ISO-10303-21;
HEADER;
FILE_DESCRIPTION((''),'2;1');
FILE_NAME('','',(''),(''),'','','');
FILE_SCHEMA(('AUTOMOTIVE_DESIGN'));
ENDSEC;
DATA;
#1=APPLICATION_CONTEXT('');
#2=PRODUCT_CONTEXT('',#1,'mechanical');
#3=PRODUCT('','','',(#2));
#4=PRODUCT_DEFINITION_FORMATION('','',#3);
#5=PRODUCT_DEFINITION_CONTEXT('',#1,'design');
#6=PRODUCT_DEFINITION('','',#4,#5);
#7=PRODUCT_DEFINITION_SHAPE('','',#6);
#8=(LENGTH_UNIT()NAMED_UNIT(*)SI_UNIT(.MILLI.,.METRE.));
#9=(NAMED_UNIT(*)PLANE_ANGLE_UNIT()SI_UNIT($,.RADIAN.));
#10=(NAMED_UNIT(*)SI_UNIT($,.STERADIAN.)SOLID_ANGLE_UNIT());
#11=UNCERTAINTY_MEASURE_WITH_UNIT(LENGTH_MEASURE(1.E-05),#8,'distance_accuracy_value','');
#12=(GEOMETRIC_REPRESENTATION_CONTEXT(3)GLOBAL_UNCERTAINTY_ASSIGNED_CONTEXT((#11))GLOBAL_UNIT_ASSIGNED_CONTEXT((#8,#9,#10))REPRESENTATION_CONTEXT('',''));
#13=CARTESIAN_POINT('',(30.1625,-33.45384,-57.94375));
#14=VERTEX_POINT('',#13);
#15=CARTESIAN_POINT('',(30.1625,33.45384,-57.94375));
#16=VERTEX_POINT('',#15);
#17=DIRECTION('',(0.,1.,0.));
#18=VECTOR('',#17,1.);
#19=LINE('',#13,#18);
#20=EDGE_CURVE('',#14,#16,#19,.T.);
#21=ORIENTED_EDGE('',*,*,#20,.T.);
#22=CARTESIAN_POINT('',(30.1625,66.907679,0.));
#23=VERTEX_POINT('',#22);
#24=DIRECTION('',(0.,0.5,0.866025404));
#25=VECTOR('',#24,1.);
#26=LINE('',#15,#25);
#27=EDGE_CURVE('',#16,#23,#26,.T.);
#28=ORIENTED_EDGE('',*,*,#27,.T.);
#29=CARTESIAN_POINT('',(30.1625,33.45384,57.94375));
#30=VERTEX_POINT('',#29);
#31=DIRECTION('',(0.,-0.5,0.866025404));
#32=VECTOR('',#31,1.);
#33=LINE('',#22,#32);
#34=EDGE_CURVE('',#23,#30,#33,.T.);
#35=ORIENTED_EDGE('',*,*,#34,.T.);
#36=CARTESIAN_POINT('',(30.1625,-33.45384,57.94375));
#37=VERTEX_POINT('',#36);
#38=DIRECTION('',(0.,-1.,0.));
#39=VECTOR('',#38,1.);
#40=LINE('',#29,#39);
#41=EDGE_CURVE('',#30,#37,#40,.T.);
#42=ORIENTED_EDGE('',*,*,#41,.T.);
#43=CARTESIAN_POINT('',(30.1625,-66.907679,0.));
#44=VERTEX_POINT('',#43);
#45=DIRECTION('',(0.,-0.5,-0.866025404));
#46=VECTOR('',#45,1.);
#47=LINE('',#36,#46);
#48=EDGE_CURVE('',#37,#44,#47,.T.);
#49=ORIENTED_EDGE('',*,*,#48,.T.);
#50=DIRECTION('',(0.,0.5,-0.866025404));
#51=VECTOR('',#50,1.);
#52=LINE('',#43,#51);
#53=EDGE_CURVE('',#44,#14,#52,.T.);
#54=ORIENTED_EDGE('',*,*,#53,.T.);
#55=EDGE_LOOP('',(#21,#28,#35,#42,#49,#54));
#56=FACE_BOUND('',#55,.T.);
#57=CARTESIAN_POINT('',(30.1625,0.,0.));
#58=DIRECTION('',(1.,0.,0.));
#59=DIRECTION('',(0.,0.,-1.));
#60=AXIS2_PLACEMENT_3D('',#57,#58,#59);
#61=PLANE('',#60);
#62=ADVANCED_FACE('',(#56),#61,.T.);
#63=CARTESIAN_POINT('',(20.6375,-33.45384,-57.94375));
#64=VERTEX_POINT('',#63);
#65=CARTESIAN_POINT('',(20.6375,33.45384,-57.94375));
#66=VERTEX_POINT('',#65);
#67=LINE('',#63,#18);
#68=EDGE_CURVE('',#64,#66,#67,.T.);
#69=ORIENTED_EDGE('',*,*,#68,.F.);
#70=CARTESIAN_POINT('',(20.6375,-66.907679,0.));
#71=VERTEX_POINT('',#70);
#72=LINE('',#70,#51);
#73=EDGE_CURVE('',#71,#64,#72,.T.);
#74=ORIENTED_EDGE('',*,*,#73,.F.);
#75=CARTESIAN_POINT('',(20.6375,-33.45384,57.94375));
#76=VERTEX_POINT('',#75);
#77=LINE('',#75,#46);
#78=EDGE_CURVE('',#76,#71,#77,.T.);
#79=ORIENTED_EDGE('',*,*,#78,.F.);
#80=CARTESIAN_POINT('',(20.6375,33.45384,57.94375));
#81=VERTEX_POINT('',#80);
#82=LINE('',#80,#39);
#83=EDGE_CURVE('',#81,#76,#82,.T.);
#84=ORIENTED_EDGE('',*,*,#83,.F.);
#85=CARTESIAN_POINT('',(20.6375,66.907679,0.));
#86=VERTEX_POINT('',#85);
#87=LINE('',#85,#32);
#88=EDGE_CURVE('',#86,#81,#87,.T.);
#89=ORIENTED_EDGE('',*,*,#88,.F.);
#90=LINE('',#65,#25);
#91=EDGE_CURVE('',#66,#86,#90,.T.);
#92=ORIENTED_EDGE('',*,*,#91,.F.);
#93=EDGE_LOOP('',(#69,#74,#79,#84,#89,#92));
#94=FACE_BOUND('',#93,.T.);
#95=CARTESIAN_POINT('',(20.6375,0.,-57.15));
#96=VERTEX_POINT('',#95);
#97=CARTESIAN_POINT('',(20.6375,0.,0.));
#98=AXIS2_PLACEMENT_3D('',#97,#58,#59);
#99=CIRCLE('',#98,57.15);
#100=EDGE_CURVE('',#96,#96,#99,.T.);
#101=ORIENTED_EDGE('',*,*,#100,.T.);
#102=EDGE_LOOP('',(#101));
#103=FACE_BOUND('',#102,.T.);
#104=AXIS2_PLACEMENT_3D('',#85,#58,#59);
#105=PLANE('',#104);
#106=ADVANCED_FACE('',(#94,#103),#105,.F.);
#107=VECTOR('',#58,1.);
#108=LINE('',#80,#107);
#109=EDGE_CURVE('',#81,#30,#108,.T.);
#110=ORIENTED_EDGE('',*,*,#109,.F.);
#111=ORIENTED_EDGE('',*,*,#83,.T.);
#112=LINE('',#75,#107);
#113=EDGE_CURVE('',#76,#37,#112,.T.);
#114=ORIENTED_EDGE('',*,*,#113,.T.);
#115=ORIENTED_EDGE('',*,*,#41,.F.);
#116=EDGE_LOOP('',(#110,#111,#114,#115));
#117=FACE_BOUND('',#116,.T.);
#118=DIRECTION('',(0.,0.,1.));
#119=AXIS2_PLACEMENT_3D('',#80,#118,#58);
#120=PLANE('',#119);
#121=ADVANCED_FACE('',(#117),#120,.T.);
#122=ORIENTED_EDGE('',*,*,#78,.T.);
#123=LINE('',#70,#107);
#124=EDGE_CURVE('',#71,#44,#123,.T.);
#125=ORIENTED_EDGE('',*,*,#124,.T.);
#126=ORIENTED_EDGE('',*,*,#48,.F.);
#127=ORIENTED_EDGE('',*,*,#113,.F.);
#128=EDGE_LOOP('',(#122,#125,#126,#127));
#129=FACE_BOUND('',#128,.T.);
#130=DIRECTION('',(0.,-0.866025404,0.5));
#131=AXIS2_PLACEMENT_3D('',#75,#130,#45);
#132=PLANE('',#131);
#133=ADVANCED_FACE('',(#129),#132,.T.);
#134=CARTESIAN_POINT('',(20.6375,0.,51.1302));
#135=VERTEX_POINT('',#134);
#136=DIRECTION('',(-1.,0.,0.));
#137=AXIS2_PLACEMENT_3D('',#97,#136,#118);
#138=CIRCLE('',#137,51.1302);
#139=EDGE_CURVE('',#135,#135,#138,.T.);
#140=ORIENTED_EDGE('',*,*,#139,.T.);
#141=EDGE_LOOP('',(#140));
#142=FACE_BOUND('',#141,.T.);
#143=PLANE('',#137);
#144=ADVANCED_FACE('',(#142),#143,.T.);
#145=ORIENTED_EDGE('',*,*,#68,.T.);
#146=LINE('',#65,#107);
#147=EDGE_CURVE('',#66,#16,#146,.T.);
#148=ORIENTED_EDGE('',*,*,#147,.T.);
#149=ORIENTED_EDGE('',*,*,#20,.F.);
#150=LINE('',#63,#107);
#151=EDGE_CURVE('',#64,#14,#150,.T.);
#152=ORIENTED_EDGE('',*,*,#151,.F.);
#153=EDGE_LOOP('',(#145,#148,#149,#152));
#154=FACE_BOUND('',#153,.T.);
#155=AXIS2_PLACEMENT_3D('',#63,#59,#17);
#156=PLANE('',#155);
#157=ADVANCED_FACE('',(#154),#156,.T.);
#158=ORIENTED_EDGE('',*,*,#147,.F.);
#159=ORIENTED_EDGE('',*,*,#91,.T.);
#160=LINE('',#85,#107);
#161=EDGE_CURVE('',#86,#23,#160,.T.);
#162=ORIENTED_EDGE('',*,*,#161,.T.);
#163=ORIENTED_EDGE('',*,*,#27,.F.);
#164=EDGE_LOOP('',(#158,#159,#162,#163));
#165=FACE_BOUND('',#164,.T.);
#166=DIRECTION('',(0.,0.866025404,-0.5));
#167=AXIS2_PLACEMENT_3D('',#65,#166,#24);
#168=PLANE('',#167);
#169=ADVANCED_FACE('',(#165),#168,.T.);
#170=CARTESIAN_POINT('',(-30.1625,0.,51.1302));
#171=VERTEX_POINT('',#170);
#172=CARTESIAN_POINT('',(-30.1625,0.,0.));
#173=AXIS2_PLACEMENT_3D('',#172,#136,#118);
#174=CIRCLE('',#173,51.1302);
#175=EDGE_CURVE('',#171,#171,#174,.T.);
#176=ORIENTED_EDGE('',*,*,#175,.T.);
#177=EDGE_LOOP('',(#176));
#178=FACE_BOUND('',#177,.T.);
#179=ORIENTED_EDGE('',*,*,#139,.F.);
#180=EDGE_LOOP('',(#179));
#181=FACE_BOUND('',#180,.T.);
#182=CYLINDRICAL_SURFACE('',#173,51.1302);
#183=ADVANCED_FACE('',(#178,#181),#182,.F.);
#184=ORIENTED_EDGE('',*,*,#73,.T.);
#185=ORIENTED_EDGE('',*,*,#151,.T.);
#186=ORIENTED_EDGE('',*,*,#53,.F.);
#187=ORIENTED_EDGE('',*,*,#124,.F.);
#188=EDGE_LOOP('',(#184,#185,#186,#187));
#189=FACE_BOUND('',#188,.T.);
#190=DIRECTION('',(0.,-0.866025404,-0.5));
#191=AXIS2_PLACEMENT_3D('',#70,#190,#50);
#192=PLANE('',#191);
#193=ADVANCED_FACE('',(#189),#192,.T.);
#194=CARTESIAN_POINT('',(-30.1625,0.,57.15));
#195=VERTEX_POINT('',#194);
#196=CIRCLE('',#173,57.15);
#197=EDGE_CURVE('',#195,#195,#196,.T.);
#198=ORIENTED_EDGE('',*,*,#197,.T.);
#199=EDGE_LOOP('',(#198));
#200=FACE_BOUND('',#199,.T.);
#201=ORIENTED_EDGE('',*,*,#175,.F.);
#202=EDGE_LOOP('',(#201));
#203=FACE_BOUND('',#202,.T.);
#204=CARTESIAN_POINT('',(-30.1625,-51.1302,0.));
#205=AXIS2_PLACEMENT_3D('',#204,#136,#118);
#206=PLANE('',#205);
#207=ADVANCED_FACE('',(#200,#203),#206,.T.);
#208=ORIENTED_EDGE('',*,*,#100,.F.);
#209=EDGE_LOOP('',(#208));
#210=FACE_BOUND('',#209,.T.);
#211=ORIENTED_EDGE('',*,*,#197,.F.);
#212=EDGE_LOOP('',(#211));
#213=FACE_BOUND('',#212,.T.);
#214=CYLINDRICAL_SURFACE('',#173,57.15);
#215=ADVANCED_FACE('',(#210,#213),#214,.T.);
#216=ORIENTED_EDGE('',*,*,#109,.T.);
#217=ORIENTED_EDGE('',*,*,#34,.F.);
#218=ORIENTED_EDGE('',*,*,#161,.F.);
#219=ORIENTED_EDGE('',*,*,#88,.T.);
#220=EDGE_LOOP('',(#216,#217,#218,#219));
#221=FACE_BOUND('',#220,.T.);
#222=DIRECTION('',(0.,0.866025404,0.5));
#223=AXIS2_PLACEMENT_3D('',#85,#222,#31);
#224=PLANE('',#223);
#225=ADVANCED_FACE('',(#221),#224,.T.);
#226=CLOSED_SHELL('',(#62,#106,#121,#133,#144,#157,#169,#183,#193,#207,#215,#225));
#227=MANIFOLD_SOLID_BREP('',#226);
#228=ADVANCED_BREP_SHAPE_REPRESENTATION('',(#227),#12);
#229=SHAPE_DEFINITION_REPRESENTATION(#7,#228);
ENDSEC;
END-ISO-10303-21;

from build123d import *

# Parameters (mm, degrees)
SKETCH2_R           = 57.15
BOSS_EXTRUDE1_DEPTH = 9.525


with BuildPart() as part:
    # Sketch1 → Revolve1 (revolve)
    with BuildSketch(Plane.XY):
        Polygon((-30.1625, -57.15), (30.1625, -57.15), (30.1625, 0), (20.6375, 0), (20.6375, -51.1302), (-30.1625, -51.1302), align=None)
    revolve(axis=Axis((-30.1625, 0, 0), (1, 0, 0)))

    # Sketch2 → Boss-Extrude1 (add)
    with BuildSketch(Plane(origin=(30.1625, 0, 0), x_dir=(0, 0, -1), z_dir=(1, 0, 0))):
        Polygon((0, 66.907679321), (-57.94375, 33.45383966), (-57.94375, -33.45383966), (0, -66.907679321), (57.94375, -33.45383966), (57.94375, 33.45383966), align=None)
        Circle(SKETCH2_R, mode=Mode.SUBTRACT)
    extrude(amount=-BOSS_EXTRUDE1_DEPTH)


solid = part.part
